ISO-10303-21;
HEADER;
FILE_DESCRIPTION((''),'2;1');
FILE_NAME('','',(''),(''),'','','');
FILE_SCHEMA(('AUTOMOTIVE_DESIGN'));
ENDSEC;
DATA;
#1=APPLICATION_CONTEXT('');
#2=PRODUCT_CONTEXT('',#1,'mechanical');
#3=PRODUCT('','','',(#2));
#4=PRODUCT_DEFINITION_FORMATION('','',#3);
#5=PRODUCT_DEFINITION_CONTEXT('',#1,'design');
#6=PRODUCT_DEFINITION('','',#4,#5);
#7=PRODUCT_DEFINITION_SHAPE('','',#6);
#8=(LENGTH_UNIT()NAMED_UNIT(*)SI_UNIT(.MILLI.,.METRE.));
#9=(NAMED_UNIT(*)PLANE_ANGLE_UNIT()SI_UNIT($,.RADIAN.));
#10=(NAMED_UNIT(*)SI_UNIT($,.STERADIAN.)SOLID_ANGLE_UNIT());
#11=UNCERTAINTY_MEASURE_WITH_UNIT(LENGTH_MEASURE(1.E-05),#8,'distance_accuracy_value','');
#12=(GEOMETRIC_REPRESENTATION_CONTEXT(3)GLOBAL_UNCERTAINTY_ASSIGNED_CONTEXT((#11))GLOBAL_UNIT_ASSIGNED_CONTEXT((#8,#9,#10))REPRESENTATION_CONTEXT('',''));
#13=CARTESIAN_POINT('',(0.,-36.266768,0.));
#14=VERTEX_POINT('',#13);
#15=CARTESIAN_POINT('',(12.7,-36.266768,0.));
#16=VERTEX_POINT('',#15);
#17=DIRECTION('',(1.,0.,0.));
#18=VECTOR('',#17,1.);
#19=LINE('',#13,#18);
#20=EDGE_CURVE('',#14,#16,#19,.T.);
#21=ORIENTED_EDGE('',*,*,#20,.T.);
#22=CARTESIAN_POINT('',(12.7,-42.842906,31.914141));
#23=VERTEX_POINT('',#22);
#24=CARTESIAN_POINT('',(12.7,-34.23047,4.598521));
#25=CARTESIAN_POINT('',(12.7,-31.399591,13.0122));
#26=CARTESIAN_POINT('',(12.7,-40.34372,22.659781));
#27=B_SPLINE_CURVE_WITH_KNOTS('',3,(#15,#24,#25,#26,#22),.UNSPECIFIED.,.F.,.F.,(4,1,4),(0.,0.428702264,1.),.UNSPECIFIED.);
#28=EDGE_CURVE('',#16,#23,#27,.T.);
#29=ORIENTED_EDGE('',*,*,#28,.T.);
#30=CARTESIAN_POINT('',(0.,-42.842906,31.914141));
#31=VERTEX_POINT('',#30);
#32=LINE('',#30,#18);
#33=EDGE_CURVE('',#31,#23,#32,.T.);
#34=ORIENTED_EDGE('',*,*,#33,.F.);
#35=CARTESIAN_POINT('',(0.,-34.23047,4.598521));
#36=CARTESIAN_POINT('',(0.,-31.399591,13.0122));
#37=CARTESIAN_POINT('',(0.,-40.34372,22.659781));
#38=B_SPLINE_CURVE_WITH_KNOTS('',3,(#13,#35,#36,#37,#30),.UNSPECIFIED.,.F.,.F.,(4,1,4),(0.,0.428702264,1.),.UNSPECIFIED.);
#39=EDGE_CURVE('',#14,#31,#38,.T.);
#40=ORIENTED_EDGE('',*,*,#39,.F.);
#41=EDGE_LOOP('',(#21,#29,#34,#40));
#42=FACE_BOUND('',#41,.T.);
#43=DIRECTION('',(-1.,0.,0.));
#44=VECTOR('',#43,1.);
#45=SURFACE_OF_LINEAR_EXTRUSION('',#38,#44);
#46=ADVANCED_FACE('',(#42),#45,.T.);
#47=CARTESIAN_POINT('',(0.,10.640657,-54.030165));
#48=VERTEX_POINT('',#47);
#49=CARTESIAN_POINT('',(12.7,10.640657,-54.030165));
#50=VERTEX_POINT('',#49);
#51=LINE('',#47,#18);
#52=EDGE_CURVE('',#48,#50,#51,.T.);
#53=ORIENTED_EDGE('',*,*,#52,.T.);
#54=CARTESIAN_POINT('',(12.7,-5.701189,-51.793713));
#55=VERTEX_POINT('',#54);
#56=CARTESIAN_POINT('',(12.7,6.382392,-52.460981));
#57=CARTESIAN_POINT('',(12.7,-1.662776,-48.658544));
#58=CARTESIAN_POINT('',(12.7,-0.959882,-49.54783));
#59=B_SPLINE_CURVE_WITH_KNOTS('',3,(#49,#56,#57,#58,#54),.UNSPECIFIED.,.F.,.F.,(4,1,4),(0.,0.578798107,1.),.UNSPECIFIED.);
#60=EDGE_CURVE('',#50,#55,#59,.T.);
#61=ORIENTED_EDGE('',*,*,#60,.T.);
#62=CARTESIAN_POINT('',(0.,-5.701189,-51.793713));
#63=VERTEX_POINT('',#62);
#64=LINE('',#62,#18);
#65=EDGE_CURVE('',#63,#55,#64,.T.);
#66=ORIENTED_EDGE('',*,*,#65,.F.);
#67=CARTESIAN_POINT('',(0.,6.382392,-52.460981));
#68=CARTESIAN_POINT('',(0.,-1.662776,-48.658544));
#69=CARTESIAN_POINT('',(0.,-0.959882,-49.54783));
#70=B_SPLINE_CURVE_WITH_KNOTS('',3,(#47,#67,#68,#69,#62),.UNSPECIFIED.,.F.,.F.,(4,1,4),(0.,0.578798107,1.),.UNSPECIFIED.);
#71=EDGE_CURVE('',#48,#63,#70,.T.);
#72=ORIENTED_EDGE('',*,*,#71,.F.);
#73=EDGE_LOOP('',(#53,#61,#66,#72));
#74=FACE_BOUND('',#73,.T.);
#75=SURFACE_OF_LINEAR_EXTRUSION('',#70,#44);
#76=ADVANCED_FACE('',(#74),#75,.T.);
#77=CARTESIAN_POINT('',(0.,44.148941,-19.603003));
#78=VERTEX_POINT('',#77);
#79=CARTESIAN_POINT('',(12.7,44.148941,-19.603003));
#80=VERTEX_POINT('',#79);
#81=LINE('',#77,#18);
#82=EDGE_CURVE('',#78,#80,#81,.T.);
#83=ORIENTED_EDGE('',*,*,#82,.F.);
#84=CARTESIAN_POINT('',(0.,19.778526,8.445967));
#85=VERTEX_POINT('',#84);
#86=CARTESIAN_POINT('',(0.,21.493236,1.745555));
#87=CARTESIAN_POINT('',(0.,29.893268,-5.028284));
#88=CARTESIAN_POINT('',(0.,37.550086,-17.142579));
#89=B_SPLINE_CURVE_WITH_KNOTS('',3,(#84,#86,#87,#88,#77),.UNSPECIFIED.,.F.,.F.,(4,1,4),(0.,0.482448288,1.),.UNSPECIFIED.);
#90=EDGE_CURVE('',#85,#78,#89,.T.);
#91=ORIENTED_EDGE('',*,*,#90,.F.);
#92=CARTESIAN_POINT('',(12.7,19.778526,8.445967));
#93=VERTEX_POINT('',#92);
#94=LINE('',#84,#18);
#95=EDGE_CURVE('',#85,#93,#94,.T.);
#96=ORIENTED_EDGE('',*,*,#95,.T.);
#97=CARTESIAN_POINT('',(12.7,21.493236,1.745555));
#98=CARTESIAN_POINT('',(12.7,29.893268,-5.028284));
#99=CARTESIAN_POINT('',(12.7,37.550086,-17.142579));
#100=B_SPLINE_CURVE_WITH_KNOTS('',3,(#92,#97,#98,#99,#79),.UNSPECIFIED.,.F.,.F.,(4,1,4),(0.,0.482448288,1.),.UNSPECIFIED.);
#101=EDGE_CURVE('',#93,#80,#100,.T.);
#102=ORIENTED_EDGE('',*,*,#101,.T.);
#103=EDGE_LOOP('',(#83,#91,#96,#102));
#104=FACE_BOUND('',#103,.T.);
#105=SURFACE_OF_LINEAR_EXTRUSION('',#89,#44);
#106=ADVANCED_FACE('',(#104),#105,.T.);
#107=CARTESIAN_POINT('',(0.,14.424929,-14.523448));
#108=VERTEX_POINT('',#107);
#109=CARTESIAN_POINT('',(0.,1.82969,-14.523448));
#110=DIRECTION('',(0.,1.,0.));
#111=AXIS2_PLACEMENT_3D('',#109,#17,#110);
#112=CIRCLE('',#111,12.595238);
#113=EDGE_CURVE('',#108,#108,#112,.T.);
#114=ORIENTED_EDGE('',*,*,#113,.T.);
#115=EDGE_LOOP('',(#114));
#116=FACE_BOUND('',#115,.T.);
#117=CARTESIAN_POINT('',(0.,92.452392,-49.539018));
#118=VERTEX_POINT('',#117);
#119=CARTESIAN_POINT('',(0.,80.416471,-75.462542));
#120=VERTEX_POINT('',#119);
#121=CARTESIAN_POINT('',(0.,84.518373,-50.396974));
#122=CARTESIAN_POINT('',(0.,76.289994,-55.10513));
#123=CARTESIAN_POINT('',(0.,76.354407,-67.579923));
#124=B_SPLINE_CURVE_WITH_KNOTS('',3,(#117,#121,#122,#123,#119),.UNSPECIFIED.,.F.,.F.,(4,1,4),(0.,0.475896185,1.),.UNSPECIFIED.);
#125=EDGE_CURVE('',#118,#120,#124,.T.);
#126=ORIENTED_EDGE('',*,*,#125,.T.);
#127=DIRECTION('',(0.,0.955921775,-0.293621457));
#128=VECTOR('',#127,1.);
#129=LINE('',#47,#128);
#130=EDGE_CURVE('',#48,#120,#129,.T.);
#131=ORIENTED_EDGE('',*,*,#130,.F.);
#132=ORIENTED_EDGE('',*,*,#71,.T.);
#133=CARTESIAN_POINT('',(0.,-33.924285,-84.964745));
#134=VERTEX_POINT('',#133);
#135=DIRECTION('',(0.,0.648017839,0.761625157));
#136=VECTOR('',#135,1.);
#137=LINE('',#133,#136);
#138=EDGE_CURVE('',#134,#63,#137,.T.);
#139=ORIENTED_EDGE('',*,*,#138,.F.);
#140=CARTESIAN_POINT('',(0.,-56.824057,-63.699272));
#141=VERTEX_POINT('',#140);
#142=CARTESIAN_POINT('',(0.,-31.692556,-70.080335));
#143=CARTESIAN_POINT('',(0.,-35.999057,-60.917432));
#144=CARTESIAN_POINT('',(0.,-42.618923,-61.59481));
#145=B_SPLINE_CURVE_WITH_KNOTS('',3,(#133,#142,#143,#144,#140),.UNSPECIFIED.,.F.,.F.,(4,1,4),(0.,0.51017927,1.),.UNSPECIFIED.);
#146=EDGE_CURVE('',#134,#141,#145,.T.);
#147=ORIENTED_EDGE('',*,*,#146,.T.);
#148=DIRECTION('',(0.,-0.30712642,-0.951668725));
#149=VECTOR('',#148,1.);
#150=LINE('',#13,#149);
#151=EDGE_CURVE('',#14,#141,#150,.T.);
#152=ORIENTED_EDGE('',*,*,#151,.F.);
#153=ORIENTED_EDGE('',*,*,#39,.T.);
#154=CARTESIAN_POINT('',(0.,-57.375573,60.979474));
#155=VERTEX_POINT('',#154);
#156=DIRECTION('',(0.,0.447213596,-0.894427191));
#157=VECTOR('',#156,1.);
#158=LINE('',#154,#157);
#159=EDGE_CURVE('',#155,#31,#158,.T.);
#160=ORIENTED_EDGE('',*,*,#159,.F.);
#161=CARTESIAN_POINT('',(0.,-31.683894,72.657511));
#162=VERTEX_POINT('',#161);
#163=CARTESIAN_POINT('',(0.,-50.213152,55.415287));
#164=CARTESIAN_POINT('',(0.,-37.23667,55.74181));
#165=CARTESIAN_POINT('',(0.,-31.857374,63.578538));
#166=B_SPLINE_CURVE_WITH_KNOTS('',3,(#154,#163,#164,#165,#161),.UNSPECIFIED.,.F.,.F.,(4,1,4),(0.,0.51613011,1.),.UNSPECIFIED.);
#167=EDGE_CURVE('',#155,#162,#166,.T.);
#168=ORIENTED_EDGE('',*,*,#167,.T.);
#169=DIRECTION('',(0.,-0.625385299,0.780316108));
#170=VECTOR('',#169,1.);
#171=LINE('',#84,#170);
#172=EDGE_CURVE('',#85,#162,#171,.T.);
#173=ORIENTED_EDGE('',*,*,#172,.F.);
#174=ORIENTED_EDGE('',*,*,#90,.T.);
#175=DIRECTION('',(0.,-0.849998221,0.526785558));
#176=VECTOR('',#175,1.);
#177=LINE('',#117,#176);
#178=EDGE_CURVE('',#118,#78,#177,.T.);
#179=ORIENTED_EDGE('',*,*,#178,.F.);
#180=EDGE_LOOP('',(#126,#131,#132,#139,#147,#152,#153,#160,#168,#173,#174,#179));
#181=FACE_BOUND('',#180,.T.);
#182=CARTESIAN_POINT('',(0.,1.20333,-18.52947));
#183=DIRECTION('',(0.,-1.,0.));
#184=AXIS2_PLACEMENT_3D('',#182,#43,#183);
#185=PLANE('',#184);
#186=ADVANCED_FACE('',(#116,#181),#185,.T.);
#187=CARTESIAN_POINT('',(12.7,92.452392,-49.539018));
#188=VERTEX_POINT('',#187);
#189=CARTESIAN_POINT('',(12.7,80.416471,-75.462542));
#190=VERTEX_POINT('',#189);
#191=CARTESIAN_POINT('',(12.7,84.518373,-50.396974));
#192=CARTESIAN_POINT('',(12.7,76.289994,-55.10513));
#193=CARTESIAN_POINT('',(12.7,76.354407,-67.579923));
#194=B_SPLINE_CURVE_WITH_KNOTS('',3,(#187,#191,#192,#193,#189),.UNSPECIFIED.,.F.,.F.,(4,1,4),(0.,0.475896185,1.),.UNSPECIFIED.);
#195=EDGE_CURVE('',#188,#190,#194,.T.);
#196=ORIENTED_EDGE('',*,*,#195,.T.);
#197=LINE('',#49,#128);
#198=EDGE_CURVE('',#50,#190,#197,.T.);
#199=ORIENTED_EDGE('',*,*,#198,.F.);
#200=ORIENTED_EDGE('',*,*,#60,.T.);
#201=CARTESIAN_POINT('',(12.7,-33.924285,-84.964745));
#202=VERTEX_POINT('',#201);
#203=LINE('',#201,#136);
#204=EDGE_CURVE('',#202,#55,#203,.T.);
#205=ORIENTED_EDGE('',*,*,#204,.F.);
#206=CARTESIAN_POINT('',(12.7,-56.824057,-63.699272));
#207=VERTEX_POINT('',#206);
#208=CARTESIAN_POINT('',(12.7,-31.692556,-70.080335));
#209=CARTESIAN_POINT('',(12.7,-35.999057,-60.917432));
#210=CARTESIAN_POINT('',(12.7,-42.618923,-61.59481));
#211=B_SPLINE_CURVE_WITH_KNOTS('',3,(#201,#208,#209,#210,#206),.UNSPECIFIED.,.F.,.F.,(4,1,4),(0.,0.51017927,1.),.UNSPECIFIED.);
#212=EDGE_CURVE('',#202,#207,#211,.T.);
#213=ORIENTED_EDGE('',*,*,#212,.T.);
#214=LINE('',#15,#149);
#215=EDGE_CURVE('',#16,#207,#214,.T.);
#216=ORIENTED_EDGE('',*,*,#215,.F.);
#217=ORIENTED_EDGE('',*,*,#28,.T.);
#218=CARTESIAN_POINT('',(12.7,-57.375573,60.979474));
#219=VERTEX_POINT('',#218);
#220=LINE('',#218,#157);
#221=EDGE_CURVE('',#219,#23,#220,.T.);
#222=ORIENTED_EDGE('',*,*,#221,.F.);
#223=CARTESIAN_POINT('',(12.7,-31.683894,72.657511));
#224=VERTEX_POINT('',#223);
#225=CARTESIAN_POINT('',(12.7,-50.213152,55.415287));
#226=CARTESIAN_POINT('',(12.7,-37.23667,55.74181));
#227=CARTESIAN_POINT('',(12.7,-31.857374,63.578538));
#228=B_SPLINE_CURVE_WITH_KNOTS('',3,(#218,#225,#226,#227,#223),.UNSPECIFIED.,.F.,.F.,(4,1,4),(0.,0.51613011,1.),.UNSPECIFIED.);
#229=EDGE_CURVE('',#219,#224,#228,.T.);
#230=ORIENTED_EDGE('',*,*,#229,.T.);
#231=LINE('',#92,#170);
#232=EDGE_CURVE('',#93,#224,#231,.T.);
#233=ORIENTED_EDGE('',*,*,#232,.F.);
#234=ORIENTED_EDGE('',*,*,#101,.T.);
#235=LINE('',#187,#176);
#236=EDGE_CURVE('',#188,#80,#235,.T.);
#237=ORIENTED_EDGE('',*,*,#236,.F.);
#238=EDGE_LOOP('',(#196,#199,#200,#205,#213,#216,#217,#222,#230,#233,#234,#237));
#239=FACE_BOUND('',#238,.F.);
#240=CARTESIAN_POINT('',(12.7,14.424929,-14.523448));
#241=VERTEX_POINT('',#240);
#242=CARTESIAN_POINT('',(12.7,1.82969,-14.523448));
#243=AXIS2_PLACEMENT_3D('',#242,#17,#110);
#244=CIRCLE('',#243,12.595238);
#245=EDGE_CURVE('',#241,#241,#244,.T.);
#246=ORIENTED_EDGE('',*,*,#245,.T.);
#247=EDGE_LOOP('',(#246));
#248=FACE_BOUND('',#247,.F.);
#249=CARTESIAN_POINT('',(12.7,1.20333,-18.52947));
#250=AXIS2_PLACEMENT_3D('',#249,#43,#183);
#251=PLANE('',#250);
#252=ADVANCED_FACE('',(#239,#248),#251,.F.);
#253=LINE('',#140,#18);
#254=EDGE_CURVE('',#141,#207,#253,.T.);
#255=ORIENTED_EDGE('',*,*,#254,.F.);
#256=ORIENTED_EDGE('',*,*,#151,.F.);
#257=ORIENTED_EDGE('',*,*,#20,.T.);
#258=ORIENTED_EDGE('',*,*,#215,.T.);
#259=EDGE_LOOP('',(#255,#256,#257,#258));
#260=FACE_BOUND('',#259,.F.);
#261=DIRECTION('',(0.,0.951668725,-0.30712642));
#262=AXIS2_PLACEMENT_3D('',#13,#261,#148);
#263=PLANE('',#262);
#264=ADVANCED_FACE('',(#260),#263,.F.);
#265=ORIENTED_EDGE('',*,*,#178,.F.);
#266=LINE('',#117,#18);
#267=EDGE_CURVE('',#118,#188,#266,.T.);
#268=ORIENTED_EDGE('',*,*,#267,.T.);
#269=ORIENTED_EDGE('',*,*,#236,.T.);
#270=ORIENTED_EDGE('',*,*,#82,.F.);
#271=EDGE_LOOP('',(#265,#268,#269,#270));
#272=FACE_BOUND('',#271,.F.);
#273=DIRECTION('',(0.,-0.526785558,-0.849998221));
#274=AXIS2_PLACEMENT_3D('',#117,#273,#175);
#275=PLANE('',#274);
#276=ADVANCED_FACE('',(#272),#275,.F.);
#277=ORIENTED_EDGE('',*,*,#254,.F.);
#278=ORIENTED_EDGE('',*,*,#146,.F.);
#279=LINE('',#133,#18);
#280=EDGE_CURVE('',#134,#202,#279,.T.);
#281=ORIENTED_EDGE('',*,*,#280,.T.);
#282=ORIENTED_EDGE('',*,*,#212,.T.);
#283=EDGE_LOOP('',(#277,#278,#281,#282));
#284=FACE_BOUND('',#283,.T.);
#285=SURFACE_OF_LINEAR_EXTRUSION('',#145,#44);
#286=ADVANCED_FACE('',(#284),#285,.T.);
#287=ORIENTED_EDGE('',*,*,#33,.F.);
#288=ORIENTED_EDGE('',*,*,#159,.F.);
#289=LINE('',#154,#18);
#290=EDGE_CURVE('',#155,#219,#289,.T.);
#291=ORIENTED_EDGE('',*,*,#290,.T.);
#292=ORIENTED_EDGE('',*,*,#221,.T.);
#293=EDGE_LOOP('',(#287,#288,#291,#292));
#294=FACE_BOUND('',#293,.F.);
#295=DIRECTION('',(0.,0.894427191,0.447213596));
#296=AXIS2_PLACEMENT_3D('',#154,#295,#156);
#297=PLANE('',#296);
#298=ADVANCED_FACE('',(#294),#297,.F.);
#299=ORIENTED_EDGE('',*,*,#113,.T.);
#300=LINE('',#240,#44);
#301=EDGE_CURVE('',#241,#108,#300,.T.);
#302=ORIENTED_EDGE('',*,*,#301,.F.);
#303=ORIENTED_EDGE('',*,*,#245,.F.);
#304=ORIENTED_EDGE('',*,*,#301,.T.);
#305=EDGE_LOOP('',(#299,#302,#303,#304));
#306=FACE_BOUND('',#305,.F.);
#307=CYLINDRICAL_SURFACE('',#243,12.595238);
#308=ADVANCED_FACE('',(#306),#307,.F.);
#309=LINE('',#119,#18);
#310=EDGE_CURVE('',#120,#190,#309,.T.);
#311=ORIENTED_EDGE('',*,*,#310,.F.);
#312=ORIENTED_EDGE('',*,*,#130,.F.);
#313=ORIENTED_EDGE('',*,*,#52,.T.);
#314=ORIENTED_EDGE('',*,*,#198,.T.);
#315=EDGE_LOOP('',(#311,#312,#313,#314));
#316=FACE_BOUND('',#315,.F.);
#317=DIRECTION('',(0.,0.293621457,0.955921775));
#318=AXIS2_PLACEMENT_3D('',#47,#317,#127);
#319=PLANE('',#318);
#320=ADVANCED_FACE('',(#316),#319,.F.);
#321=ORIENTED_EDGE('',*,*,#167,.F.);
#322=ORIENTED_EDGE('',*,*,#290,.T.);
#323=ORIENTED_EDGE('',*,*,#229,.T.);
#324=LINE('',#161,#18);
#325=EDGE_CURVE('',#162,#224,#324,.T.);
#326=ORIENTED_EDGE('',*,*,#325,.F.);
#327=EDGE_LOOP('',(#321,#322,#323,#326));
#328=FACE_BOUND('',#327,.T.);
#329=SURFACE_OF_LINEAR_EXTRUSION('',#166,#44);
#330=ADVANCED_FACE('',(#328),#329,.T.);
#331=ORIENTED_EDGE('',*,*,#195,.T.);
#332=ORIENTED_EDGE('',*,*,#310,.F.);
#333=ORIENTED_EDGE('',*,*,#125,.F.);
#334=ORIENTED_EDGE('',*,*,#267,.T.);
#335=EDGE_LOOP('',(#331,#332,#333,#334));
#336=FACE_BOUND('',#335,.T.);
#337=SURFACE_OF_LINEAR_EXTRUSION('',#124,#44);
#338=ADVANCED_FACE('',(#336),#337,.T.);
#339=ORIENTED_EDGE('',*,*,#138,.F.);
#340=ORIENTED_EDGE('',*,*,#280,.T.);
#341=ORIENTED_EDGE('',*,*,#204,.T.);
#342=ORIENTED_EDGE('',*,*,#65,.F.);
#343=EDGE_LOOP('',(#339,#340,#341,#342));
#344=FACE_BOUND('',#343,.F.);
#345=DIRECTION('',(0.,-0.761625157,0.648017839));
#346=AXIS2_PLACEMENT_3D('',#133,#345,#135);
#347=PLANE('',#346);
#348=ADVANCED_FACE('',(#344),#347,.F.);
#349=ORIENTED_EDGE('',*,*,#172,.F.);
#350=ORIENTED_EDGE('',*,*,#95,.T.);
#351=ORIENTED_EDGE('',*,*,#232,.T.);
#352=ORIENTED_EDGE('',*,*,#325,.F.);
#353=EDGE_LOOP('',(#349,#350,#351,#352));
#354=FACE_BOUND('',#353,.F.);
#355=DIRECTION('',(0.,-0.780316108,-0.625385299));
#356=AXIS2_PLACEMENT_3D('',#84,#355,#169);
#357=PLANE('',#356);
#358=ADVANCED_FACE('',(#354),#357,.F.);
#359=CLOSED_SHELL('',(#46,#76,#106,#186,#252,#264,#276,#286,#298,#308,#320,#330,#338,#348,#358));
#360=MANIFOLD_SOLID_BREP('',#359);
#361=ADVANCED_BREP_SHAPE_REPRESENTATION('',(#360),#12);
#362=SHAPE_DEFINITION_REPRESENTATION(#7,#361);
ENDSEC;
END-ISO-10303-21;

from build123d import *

# Parameters (mm, degrees)
F1_DEPTH = 12.7
F2_R     = 12.5952384753
F3_DEPTH = 12.7


with BuildPart() as f1:
    # F0 (on Right) → F1 (new body)
    with BuildSketch(Plane.YZ):
        with BuildLine():
            add(Edge.make_bspline(
                [(-57.3755726218, 60.9794743359), (-50.213151662, 55.4152866858), (-37.2366697029, 55.7418096569), (-31.8573741668, 63.5785382982), (-31.6838938743, 72.6575106382)],
                knots=[0, 0, 0, 0, 0.5161301104, 1, 1, 1, 1], degree=3))
            Line((-57.3755726218, 60.9794743359), (-42.8429059684, 31.9141410291))
            add(Edge.make_bspline(
                [(-36.2667675946, 0), (-34.2304695223, 4.5985213525), (-31.3995907567, 13.0121996142), (-40.343719866, 22.6597812459), (-42.8429059684, 31.9141410291)],
                knots=[0, 0, 0, 0, 0.4287022635, 1, 1, 1, 1], degree=3))
            Line((-36.2667675946, 0), (-56.8240570945, -63.699272458))
            add(Edge.make_bspline(
                [(-33.9242853224, -84.9647447467), (-31.6925561956, -70.080335482), (-35.9990572627, -60.9174321222), (-42.6189227408, -61.5948104869), (-56.8240570945, -63.699272458)],
                knots=[0, 0, 0, 0, 0.51017927, 1, 1, 1, 1], degree=3))
            Line((-33.9242853224, -84.9647447467), (-5.7011889294, -51.7937131226))
            add(Edge.make_bspline(
                [(10.6406565756, -54.0301650763), (6.3823924594, -52.4609805374), (-1.6627763206, -48.6585438271), (-0.9598822639, -49.5478302166), (-5.7011889294, -51.7937131226)],
                knots=[0, 0, 0, 0, 0.5787981071, 1, 1, 1, 1], degree=3))
            Line((10.6406565756, -54.0301650763), (80.4164707661, -75.4625424743))
            add(Edge.make_bspline(
                [(92.4523919821, -49.5390184224), (84.5183726601, -50.3969736232), (76.2899942249, -55.1051300096), (76.3544072931, -67.5799232364), (80.4164707661, -75.4625424743)],
                knots=[0, 0, 0, 0, 0.4758961852, 1, 1, 1, 1], degree=3))
            Line((92.4523919821, -49.5390184224), (44.148941397, -19.6030026067))
            add(Edge.make_bspline(
                [(19.77852609, 8.4459672519), (21.4932358048, 1.7455546836), (29.8932683418, -5.0282844876), (37.5500863975, -17.1425788423), (44.148941397, -19.6030026067)],
                knots=[0, 0, 0, 0, 0.4824482884, 1, 1, 1, 1], degree=3))
            Line((19.77852609, 8.4459672519), (-31.6838938743, 72.6575106382))
        make_face()
    extrude(amount=F1_DEPTH)

    # F2 (on face) → F3 (cut)
    with BuildSketch(Plane.YZ.offset(12.7)):
        with Locations((1.8296902999, -14.5234484226)):
            Circle(F2_R)
    extrude(amount=-F3_DEPTH, mode=Mode.SUBTRACT)


solid = f1.part
